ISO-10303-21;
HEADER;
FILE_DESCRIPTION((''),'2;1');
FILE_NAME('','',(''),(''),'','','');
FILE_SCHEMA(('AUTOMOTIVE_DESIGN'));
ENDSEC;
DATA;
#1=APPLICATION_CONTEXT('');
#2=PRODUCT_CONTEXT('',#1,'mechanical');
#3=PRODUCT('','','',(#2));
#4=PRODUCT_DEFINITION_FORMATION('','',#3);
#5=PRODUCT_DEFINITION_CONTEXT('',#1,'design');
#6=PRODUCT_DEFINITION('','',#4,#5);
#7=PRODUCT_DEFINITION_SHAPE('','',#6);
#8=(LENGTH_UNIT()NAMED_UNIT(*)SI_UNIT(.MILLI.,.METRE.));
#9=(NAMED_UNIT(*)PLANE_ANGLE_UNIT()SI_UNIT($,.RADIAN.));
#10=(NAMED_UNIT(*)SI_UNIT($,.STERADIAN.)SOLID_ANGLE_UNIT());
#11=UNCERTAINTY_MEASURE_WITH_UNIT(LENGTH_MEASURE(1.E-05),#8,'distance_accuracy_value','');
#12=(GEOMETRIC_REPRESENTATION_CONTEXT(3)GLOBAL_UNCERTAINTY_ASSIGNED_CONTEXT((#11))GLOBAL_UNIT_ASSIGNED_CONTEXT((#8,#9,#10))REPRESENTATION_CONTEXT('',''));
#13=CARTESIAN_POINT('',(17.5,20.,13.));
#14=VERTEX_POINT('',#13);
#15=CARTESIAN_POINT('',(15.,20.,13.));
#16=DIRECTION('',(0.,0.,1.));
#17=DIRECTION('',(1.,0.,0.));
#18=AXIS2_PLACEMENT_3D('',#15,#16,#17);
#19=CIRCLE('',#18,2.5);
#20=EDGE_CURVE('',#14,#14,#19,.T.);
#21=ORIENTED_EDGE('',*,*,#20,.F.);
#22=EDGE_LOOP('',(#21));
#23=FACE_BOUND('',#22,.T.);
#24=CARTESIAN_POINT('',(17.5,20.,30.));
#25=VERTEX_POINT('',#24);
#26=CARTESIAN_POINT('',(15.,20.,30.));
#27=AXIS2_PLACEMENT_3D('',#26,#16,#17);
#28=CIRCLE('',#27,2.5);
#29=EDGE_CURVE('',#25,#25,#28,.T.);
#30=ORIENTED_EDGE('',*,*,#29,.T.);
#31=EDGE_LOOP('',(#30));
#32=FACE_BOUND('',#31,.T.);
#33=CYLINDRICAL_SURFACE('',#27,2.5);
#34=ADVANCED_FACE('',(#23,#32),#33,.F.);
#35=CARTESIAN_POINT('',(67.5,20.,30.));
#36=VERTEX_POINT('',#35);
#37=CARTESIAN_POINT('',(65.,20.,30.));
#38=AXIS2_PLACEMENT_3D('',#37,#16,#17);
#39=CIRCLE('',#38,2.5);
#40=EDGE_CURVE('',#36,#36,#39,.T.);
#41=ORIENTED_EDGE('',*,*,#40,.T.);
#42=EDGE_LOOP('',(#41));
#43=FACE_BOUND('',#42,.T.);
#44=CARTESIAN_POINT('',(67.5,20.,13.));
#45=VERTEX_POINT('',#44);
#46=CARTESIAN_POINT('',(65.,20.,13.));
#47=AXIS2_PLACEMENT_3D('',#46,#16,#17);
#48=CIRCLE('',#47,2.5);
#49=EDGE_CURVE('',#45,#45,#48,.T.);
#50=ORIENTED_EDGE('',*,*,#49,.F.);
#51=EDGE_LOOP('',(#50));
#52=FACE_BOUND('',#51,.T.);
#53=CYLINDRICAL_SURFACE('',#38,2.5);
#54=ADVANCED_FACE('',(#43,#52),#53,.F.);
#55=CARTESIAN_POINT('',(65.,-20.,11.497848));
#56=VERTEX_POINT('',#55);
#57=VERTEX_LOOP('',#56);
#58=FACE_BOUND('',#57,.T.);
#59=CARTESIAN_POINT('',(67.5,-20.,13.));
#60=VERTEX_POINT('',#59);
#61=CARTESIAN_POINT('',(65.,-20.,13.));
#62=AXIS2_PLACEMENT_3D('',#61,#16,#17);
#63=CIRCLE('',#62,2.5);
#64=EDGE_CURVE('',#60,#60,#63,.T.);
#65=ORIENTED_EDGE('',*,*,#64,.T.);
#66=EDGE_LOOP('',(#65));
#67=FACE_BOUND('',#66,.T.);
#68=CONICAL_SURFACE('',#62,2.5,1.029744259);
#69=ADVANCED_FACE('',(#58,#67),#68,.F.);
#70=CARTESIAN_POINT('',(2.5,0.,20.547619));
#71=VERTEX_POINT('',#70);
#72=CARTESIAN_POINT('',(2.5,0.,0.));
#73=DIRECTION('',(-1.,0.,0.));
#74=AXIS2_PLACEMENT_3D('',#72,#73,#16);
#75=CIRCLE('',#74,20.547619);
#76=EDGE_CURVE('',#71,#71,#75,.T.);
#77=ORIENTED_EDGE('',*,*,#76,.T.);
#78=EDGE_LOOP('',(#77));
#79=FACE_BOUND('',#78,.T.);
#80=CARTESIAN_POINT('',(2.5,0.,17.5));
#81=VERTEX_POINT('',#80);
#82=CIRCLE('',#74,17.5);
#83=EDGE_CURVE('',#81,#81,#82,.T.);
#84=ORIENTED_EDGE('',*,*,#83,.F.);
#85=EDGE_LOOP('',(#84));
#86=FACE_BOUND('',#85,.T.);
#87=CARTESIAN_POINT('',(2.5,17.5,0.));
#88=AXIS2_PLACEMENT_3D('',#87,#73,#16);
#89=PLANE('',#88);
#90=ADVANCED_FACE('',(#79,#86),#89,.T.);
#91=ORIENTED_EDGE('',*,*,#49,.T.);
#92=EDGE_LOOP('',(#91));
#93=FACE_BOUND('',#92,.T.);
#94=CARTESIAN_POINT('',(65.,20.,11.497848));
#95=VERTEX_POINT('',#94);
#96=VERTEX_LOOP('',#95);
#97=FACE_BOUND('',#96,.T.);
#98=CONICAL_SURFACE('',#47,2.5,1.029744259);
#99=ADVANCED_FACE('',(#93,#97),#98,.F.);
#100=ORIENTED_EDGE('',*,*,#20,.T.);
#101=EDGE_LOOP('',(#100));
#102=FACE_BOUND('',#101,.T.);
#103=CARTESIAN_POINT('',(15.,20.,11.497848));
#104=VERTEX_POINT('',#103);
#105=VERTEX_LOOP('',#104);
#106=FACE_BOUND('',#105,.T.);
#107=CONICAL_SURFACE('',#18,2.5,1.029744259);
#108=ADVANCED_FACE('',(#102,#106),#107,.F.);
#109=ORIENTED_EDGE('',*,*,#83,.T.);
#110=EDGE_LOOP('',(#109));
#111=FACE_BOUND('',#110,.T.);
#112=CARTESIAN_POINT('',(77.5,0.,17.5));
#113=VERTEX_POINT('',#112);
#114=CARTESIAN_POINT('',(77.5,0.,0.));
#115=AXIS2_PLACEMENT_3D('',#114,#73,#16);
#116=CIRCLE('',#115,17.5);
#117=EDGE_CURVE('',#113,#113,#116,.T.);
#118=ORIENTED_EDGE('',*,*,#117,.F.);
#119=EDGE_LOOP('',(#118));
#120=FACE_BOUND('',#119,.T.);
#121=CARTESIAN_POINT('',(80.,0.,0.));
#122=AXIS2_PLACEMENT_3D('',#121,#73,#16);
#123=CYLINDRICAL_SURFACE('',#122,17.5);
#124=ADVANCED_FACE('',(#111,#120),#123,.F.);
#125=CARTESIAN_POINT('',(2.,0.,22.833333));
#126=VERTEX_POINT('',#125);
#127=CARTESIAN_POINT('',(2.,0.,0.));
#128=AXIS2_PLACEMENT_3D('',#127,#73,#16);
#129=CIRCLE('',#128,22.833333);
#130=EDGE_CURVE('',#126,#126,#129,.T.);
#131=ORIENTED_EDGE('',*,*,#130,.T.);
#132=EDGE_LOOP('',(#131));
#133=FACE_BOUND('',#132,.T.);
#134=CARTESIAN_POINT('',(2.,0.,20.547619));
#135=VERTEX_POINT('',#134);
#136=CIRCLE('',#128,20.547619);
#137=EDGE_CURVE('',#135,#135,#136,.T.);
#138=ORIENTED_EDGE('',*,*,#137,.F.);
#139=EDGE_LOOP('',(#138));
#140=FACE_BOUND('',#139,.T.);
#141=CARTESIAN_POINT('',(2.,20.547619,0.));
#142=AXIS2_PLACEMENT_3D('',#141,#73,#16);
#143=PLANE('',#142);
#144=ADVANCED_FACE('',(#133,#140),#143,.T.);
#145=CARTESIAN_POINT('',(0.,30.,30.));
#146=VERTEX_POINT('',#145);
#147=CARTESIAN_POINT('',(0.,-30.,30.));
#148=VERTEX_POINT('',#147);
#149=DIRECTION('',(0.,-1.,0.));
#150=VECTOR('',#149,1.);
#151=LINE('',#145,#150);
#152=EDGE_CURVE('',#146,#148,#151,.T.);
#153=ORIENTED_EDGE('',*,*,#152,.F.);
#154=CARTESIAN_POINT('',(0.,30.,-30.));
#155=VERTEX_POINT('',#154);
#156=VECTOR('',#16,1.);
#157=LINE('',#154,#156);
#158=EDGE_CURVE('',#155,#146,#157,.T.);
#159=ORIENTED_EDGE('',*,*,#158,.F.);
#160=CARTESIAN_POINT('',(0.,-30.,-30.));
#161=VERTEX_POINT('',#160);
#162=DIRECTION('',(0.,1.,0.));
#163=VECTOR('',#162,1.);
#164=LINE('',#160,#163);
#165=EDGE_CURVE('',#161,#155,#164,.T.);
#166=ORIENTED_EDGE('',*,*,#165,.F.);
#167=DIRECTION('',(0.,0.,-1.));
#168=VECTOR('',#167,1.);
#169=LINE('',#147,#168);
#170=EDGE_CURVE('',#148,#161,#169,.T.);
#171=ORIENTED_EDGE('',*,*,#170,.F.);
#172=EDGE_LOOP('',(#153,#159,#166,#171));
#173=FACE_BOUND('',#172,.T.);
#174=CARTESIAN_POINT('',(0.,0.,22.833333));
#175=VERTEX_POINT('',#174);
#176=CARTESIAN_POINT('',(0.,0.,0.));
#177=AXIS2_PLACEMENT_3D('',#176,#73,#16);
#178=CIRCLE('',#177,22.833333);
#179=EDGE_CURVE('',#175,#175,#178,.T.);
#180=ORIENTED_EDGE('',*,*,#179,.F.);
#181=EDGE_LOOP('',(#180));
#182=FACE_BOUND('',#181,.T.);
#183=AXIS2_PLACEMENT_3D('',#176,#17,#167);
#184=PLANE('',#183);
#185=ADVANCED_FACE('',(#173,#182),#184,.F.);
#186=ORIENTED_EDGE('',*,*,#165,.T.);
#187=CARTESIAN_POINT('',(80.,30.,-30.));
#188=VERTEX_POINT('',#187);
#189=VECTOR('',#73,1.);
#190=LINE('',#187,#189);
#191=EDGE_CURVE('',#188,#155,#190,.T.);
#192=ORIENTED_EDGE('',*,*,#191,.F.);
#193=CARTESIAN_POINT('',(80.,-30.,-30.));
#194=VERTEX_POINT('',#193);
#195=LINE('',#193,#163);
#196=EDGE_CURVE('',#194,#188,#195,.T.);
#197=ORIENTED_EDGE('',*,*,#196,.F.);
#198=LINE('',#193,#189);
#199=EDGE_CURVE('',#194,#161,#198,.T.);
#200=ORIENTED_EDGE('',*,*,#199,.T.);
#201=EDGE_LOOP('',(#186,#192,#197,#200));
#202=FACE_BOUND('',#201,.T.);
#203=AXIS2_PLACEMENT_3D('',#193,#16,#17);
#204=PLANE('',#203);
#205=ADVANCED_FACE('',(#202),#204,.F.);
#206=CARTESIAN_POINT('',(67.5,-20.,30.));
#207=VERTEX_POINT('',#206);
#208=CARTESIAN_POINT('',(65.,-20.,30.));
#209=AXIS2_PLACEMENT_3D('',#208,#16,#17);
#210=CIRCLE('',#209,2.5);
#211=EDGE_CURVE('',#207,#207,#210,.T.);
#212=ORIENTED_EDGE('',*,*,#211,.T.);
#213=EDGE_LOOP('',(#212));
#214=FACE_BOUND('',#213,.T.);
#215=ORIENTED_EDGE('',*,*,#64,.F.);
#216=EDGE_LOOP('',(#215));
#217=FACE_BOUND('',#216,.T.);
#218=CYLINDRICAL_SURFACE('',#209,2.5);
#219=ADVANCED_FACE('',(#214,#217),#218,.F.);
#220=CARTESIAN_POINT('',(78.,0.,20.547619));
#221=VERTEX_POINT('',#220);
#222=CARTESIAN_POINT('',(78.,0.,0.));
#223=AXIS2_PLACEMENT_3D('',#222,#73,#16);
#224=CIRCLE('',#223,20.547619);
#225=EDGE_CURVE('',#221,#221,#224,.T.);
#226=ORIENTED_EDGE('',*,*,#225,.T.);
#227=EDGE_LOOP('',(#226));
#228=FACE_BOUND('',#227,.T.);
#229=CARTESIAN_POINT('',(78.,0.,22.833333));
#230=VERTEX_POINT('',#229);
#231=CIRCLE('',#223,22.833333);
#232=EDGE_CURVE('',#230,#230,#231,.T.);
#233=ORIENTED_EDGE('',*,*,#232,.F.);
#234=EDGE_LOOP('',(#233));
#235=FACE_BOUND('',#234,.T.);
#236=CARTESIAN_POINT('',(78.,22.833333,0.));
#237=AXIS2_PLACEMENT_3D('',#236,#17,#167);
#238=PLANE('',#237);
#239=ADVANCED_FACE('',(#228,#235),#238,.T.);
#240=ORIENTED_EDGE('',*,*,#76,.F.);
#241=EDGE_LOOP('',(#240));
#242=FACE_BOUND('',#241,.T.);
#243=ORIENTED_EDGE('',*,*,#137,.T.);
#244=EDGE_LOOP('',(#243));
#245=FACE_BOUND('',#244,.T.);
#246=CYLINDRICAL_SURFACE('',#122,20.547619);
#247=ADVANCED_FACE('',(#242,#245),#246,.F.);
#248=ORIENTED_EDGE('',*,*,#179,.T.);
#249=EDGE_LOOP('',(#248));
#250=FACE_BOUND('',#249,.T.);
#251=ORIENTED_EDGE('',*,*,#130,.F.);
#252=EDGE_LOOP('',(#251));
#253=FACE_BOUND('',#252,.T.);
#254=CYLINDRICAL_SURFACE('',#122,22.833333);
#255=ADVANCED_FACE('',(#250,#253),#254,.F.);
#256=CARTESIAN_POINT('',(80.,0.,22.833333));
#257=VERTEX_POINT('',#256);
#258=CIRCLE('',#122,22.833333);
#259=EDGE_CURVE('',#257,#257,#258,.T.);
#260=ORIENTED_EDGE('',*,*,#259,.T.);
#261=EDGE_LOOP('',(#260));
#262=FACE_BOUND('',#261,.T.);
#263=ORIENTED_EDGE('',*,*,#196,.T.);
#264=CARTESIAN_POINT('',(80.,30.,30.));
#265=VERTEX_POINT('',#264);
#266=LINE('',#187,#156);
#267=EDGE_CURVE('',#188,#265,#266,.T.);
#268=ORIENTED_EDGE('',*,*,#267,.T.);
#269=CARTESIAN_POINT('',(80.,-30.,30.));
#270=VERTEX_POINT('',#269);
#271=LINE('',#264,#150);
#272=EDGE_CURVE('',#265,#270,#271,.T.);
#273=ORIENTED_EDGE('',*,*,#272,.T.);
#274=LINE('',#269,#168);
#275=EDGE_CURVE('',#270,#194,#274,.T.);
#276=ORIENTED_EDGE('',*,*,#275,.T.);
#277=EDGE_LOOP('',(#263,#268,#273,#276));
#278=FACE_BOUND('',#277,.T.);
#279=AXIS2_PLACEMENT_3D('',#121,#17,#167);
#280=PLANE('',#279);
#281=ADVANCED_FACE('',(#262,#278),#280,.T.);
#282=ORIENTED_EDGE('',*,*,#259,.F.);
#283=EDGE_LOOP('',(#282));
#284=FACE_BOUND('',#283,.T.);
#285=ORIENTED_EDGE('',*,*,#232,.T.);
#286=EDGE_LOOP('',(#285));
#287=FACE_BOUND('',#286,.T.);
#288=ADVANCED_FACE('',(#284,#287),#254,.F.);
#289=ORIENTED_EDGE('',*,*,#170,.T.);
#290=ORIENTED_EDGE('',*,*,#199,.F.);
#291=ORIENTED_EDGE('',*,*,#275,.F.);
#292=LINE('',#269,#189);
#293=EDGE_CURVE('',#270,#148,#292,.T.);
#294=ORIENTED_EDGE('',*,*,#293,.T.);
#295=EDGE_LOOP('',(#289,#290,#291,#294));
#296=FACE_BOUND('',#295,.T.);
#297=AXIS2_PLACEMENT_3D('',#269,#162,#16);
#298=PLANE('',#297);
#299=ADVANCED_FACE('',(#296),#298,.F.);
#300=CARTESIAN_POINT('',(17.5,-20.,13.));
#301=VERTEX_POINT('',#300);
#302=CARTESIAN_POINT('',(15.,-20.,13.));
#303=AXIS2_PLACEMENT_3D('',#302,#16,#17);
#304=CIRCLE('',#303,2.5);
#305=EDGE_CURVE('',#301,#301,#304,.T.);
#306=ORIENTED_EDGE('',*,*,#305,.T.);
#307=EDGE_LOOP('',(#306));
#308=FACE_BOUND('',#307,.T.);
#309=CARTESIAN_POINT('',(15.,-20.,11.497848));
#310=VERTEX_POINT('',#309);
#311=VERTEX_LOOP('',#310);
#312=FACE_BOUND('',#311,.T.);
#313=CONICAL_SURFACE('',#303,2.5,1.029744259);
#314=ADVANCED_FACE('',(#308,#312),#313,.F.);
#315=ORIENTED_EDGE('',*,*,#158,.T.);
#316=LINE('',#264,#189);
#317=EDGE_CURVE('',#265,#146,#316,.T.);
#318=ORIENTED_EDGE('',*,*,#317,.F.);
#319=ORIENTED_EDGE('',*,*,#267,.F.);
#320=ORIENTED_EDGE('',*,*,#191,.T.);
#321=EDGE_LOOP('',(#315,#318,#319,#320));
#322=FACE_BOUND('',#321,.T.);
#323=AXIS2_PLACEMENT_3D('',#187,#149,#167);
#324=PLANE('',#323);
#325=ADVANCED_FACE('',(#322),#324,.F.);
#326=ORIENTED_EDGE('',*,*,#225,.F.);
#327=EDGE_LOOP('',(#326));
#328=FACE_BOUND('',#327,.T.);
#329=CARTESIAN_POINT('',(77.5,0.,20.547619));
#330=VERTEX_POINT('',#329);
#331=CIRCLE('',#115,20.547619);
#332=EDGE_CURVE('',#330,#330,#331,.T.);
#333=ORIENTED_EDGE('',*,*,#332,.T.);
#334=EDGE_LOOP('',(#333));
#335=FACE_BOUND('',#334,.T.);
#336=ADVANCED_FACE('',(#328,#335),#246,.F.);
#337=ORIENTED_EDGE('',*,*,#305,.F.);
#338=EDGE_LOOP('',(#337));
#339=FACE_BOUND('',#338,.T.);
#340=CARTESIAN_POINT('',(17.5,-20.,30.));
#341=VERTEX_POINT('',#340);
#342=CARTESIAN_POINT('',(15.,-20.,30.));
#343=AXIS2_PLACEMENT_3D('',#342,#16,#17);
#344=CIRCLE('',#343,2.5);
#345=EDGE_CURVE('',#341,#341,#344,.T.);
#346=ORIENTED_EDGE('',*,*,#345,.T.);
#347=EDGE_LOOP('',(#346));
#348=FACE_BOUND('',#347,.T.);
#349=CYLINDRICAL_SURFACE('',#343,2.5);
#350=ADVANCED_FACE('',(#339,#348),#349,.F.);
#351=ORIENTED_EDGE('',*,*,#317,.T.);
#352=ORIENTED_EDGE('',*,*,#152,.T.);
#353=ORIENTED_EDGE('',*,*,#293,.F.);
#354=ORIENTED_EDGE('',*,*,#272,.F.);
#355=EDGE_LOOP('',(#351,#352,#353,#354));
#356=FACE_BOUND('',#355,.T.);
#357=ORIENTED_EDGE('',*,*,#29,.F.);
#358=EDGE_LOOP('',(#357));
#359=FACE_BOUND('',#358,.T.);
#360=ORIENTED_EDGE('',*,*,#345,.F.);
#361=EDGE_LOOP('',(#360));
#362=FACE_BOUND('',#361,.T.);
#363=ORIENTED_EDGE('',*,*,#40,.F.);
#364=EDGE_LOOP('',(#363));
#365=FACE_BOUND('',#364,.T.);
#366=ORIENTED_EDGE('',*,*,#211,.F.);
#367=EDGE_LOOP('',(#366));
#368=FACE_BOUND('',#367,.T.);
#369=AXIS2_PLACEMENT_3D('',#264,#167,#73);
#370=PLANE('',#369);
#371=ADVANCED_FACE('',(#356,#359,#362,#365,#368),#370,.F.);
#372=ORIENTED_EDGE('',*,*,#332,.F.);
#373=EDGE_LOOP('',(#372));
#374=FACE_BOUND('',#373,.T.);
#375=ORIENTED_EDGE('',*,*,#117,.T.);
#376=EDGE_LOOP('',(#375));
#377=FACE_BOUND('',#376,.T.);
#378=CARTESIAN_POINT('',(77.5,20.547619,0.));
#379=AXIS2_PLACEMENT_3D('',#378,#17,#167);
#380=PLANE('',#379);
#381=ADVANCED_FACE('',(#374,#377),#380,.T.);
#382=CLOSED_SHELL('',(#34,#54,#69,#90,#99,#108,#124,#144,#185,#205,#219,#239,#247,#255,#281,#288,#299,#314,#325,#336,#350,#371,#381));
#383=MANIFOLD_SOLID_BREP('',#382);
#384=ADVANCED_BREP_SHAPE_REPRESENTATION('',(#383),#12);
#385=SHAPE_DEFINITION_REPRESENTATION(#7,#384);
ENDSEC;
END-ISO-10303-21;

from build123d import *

# Parameters (mm, degrees)
SKETCH_1_W             = 60
SKETCH_1_H             = 60
SKETCH_1_R             = 17.5
EXTRUDE_1_DEPTH        = 80
HOLE_WIZARD_M6_1_D     = 5
HOLE_WIZARD_M6_1_DEPTH = 17
HOLE_WIZARD_M6_1_TIP   = 1.502151548


with BuildPart() as part:
    # 草图1 → 凸台-拉伸1 (new body)
    with BuildSketch(Plane(origin=(0, 0, 0), x_dir=(0, 0, -1), z_dir=(1, 0, 0))):
        Rectangle(SKETCH_1_W, SKETCH_1_H)
        Circle(SKETCH_1_R, mode=Mode.SUBTRACT)
    extrude(amount=EXTRUDE_1_DEPTH)

    # 草图6 → 切除-旋转5 (revolve, cut)
    with BuildSketch(Plane.XY):
        Polygon((0, 17.5), (2.5, 17.5), (2.5, 20.547619048), (2, 20.547619048), (2, 22.833333333), (0, 22.833333333), align=None)
    revolve(axis=Axis((80, 0, 0), (-1, 0, 0)), mode=Mode.SUBTRACT)

    # 草图7 → 切除-旋转6 (revolve, cut)
    with BuildSketch(Plane.XY):
        Polygon((77.5, 17.5), (80, 17.5), (80, 22.833333333), (78, 22.833333333), (78, 20.547619048), (77.5, 20.547619048), align=None)
    revolve(axis=Axis((80, 0, 0), (-1, 0, 0)), mode=Mode.SUBTRACT)

    # M6 螺纹孔1
    with Locations(Plane.XY.offset(30)):
        with Locations((15, 20), (15, -20), (65, -20), (65, 20)):
            Hole(HOLE_WIZARD_M6_1_D / 2, depth=HOLE_WIZARD_M6_1_DEPTH)
            with Locations((0, 0, -(HOLE_WIZARD_M6_1_DEPTH + HOLE_WIZARD_M6_1_TIP / 2))):  # 118° drill point
                Cone(0, HOLE_WIZARD_M6_1_D / 2, HOLE_WIZARD_M6_1_TIP, mode=Mode.SUBTRACT)


solid = part.part
